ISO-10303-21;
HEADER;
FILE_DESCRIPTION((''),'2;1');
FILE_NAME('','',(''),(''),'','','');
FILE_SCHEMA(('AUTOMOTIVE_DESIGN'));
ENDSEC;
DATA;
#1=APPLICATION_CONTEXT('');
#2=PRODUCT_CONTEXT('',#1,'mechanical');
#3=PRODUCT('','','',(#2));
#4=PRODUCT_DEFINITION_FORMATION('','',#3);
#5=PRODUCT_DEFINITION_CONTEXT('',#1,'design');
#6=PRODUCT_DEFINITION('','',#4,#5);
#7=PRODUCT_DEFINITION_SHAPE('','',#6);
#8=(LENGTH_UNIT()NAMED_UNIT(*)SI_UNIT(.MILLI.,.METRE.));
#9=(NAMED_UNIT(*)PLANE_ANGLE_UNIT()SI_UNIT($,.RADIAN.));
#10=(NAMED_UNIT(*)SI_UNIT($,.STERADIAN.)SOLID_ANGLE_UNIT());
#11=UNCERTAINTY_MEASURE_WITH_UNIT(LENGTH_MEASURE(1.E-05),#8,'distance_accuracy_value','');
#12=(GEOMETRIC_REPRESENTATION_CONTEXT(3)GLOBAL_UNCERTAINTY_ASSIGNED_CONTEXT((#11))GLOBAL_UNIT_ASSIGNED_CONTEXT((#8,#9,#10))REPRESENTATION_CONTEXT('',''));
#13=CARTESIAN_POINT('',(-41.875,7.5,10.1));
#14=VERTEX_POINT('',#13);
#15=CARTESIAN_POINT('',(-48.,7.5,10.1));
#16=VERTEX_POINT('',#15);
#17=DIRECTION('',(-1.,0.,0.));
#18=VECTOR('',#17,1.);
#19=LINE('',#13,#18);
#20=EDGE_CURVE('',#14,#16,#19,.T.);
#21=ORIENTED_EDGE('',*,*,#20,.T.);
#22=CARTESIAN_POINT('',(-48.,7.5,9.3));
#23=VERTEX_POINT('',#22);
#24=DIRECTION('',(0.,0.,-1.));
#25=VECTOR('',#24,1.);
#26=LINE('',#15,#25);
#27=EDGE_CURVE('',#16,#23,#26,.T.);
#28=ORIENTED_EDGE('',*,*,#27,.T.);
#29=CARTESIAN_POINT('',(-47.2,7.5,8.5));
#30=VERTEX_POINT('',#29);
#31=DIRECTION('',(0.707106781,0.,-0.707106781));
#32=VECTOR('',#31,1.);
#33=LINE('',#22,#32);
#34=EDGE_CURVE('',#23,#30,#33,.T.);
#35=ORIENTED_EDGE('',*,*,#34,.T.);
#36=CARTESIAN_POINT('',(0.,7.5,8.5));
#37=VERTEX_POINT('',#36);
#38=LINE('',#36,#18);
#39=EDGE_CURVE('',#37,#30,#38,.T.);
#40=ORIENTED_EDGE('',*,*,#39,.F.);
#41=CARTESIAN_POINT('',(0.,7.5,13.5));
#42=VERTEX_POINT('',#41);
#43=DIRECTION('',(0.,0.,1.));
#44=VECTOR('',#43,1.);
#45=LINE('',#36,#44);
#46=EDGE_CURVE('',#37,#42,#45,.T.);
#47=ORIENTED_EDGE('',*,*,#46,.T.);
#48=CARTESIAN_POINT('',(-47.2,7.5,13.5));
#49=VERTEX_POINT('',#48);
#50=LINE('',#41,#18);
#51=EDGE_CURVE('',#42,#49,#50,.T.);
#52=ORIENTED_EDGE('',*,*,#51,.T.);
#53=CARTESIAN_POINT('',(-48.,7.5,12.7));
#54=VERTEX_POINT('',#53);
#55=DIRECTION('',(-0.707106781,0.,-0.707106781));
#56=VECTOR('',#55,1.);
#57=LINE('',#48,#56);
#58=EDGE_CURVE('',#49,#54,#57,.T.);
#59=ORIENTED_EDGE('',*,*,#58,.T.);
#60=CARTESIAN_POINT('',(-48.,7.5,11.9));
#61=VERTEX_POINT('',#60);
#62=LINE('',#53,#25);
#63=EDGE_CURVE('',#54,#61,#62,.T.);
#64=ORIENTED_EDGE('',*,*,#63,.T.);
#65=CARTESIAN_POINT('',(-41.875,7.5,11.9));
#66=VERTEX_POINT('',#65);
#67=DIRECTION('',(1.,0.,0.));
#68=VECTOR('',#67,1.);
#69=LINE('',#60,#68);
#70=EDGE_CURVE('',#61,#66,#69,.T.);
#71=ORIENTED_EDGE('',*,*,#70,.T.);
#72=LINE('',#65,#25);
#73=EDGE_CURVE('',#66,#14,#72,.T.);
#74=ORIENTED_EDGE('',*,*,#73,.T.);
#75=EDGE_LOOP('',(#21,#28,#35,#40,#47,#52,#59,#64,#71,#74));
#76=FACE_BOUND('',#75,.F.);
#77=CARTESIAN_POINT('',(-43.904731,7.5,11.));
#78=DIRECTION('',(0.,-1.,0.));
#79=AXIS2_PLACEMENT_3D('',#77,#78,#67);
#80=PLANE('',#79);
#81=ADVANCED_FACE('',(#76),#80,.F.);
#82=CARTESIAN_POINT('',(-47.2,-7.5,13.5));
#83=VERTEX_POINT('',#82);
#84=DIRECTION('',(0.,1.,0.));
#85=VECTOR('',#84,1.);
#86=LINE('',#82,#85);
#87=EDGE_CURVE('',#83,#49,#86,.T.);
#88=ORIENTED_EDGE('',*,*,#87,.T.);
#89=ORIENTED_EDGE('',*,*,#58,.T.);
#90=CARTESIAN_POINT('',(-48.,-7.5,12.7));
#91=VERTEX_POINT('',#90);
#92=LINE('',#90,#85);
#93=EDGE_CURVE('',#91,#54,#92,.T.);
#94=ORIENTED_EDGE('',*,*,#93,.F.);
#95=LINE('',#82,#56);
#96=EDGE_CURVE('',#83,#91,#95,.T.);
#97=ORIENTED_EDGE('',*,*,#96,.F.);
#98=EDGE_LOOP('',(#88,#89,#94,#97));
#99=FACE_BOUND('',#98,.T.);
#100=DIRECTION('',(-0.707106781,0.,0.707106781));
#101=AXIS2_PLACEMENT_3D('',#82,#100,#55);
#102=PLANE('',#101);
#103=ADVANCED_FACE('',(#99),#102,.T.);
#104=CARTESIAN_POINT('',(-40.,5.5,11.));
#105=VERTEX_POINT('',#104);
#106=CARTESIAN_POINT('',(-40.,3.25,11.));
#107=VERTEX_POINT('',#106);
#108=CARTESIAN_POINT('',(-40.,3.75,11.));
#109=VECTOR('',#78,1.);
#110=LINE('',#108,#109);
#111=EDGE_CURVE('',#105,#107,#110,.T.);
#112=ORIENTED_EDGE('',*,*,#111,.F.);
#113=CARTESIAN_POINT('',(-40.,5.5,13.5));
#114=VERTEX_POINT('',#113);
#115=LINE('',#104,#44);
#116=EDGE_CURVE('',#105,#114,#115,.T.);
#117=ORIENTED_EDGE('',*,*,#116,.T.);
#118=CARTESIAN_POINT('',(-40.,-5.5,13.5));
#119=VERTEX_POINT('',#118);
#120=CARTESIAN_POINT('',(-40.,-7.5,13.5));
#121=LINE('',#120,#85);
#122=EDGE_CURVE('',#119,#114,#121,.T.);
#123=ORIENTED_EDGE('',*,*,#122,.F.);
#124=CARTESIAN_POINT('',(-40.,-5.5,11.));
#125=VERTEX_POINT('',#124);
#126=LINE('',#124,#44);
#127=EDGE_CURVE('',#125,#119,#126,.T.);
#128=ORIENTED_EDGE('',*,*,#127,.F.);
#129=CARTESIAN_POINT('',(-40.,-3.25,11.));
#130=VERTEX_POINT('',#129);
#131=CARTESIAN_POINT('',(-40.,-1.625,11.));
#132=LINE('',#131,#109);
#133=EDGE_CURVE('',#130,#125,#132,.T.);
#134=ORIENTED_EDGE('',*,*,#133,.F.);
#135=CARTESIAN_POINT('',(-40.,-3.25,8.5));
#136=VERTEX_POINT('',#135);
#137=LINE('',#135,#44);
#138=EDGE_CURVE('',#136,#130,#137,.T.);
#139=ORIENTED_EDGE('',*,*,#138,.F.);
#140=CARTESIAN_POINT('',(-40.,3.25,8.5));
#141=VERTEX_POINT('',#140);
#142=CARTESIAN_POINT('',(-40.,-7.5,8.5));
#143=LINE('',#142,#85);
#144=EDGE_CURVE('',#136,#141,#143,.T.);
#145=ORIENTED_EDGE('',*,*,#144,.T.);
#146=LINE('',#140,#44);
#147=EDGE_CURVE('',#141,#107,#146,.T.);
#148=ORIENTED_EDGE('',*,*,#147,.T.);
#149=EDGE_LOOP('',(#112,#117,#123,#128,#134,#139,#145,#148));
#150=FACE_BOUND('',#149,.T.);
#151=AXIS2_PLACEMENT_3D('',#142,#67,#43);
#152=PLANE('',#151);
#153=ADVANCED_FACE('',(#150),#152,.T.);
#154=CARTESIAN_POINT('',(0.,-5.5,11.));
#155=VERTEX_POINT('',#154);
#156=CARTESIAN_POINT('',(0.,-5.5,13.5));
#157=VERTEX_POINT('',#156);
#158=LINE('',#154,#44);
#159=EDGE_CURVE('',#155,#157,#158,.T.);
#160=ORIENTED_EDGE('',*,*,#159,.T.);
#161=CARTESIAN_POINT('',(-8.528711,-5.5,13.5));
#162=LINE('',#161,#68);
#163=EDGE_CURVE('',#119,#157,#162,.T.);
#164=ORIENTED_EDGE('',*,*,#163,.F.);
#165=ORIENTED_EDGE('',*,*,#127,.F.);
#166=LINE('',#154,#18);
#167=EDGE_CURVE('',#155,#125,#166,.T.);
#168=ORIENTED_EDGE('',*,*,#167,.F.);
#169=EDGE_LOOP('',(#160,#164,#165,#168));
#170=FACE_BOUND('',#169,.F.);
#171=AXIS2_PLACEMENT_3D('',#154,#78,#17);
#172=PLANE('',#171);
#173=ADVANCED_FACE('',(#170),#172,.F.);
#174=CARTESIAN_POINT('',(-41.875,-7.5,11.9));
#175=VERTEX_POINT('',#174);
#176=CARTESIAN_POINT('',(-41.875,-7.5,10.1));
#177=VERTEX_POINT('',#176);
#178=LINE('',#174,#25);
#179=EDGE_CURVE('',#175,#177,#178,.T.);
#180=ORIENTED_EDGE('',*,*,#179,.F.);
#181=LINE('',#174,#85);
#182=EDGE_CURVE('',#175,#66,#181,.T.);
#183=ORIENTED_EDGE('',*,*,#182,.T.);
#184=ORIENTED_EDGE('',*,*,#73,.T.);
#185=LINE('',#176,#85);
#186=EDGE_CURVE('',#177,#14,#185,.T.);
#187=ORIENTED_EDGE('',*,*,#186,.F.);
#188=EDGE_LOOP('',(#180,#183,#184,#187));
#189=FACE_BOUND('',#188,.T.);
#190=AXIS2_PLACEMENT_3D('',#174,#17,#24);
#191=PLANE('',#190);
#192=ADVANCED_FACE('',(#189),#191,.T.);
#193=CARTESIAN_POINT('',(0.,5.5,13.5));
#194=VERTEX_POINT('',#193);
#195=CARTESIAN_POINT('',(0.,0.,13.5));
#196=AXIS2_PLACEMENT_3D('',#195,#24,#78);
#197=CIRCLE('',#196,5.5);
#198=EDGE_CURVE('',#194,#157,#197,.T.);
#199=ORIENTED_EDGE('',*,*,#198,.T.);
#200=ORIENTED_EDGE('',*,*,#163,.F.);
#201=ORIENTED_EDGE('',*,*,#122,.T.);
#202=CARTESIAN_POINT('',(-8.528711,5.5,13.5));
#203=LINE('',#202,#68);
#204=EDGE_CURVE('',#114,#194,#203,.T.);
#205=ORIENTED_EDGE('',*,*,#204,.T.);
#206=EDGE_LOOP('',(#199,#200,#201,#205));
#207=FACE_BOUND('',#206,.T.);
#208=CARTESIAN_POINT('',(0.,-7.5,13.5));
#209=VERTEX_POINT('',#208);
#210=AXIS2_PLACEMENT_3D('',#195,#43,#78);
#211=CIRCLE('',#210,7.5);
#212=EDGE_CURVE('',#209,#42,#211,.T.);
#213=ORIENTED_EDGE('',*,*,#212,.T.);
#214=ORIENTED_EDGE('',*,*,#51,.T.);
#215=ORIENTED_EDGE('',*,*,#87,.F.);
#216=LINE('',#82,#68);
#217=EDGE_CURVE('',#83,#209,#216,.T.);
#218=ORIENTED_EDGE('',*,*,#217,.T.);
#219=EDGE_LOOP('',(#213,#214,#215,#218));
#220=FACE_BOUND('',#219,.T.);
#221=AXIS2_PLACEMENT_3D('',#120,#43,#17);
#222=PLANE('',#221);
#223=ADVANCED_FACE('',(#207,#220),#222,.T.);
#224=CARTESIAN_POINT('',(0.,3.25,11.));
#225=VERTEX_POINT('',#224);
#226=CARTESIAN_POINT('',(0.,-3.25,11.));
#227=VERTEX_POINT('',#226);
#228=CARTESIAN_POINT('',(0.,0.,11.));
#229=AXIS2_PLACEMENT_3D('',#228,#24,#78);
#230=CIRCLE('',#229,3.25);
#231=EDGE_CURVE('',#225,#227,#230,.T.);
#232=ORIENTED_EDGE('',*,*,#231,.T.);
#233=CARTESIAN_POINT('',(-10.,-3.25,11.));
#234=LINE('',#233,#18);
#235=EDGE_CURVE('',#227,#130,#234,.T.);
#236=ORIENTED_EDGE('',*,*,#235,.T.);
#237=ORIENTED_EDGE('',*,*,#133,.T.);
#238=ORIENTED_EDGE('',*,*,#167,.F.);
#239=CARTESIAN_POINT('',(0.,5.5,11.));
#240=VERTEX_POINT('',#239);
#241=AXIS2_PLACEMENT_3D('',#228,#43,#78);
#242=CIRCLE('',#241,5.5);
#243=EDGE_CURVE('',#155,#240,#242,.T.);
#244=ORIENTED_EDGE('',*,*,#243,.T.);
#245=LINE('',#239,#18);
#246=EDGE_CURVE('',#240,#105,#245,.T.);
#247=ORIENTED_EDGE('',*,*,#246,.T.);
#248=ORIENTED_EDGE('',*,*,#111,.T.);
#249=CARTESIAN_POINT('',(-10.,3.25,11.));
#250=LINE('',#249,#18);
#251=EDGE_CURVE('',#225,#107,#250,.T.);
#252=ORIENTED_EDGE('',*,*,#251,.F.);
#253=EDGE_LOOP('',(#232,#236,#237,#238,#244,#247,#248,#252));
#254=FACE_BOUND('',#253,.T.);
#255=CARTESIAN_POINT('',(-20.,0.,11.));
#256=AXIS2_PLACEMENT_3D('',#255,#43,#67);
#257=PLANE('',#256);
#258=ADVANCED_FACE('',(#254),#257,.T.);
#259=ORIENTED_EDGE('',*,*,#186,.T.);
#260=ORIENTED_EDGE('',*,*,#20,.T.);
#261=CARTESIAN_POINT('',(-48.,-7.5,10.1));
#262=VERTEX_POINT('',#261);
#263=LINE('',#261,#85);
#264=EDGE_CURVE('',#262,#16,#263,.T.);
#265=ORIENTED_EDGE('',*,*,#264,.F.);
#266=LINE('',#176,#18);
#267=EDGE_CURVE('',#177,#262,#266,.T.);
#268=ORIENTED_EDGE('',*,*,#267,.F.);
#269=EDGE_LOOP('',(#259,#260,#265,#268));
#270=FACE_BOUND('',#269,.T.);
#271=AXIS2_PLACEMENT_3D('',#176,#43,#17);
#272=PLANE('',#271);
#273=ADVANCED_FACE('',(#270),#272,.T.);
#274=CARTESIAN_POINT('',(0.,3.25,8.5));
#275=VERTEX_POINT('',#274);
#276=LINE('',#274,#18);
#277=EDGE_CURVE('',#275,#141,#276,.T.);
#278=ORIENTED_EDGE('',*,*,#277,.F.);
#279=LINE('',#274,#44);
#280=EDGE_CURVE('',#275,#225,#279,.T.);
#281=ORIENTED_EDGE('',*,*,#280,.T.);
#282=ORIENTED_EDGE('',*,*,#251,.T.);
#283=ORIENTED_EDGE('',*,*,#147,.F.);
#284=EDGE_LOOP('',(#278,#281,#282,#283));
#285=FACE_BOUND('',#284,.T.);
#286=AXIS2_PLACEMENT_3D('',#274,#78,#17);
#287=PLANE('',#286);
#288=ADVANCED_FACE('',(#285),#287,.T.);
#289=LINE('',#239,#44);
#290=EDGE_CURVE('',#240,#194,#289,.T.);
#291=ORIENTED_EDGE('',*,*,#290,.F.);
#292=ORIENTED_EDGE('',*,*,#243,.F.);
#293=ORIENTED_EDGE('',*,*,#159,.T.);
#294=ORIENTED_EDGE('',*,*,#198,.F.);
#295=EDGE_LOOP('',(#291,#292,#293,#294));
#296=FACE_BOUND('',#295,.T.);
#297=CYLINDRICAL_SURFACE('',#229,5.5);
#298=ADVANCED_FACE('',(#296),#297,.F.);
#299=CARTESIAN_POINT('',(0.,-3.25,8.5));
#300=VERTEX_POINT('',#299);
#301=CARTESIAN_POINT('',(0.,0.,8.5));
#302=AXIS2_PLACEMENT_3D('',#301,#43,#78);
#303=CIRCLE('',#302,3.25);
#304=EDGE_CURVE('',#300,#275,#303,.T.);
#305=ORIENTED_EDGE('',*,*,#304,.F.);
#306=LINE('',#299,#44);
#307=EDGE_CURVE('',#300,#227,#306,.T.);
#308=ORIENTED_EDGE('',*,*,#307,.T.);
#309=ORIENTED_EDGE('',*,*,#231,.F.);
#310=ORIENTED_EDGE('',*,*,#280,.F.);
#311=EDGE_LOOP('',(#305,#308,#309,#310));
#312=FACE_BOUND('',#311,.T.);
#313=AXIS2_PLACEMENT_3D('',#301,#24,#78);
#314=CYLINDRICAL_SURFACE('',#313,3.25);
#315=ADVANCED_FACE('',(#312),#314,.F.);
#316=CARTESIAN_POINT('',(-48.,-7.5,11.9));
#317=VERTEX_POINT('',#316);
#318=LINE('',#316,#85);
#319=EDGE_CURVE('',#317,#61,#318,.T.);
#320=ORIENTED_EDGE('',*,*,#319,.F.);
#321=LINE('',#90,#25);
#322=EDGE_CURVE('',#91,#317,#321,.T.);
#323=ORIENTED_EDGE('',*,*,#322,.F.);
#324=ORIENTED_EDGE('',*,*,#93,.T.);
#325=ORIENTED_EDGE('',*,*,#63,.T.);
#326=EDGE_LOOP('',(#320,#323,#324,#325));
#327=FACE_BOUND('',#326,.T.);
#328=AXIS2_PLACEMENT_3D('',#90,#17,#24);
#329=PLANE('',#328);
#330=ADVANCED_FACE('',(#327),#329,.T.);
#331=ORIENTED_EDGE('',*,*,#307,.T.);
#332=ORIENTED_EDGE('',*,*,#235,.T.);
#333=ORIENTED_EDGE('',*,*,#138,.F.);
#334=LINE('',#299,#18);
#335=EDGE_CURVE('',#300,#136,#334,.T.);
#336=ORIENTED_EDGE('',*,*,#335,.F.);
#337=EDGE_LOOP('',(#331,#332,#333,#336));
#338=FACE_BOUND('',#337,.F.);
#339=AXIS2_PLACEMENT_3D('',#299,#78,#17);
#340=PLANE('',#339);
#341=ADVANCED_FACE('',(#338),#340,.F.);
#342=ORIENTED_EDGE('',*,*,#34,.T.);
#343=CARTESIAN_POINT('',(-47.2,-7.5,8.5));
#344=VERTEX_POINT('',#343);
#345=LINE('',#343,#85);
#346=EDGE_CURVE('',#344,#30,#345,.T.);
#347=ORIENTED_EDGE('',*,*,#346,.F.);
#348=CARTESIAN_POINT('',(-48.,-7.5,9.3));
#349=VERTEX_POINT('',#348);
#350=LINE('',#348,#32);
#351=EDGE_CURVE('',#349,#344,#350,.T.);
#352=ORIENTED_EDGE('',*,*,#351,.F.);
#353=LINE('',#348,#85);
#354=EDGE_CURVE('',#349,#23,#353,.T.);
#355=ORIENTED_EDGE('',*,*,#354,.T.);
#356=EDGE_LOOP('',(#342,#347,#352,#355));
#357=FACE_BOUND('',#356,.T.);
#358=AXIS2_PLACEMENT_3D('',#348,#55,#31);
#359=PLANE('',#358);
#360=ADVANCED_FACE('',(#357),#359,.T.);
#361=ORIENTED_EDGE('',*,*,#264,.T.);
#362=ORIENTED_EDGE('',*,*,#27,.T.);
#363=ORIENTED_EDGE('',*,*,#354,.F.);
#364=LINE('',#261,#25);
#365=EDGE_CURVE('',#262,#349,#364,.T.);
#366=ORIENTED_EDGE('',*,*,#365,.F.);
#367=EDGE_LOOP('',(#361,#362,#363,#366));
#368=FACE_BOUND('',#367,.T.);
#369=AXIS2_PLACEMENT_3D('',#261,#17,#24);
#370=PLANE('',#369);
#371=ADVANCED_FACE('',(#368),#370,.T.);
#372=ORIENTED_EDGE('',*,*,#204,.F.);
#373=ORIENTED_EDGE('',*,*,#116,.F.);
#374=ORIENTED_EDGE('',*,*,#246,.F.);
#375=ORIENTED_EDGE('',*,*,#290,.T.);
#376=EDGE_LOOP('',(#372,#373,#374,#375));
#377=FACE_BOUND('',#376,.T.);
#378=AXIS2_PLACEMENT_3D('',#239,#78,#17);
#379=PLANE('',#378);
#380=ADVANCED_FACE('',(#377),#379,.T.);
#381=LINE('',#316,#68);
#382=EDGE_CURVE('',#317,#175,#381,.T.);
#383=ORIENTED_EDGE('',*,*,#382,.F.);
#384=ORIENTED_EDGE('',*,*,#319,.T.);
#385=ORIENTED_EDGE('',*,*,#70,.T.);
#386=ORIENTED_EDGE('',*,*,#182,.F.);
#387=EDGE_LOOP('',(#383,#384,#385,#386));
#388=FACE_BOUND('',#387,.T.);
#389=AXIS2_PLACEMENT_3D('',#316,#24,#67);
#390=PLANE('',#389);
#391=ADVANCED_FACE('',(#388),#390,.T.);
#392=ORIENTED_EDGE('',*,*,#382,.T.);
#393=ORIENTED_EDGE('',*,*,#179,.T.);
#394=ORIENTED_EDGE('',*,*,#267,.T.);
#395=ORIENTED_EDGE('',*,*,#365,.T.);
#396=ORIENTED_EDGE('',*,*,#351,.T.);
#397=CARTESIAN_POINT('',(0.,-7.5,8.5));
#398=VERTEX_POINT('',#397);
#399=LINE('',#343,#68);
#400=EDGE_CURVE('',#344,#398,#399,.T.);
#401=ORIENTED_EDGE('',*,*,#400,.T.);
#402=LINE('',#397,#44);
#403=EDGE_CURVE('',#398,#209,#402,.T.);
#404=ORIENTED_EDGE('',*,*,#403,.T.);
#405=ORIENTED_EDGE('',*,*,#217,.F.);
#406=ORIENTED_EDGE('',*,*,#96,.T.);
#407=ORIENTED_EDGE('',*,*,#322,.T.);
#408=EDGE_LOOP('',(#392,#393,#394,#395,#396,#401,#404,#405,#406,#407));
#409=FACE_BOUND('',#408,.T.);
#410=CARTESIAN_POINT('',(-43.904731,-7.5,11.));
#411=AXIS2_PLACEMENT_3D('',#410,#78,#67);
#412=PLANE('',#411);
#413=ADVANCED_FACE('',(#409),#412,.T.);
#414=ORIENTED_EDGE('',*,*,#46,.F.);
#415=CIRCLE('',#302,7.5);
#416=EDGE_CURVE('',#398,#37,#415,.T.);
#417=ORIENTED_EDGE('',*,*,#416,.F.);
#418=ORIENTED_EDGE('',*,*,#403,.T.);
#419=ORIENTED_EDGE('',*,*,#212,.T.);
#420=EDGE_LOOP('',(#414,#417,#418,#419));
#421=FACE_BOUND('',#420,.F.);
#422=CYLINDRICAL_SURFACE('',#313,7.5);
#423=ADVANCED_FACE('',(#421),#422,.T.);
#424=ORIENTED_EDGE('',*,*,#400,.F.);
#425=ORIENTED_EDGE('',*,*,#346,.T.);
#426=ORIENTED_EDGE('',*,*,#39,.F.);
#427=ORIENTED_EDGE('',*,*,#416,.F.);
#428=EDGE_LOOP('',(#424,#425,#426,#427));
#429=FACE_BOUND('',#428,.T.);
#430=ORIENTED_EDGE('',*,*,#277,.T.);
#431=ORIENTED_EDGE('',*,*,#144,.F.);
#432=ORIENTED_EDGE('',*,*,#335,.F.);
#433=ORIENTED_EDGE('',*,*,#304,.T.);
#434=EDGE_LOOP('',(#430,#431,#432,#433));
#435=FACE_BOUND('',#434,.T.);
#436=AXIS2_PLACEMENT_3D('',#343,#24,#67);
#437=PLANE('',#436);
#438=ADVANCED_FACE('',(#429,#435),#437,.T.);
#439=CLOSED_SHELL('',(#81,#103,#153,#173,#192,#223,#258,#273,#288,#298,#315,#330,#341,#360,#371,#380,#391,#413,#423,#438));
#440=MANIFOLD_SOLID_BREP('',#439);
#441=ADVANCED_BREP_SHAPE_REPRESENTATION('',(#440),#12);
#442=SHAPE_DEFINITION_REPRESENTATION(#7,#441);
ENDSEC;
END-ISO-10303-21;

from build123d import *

# Parameters (mm, degrees)
PAD001_DEPTH    = 5
POCKET003_DEPTH = 2.501
PAD002_DEPTH    = 15


with BuildPart() as part:
    # Sketch005 → Pad001 (new body)
    with BuildSketch(Plane.XY.offset(8.5)):
        with BuildLine():
            ThreePointArc((0, -7.5), (7.5, 0), (0, 7.5))
            Line((0, 7.5), (-40, 7.5))
            Line((-40, 7.5), (-40, 3.25))
            Line((0, 3.25), (-40, 3.25))
            ThreePointArc((0, -3.25), (3.25, 0), (0, 3.25))
            Line((0, -3.25), (-40, -3.25))
            Line((-40, -3.25), (-40, -7.5))
            Line((0, -7.5), (-40, -7.5))
        make_face()
    extrude(amount=PAD001_DEPTH)

    # Sketch006 → Pocket003 (cut, through all)
    with BuildSketch(Plane.XY.offset(11)):
        with BuildLine():
            ThreePointArc((0, -5.5), (5.5, 0), (0, 5.5))
            Line((0, 5.5), (-40, 5.5))
            ThreePointArc((-40, 5.5), (-45.5, 0), (-40, -5.5))
            Line((0, -5.5), (-40, -5.5))
        make_face()
    extrude(amount=POCKET003_DEPTH, mode=Mode.SUBTRACT)

    # Sketch007 → Pad002 (join)
    with BuildSketch(Plane.XZ.offset(7.5)):
        Polygon((-40, 13.5), (-47.2, 13.5), (-48, 12.7), (-48, 11.9), (-41.875, 11.9), (-41.875, 10.1), (-48, 10.1), (-48, 9.3), (-47.2, 8.5), (-40, 8.5), align=None)
    extrude(amount=-PAD002_DEPTH)


solid = part.part
